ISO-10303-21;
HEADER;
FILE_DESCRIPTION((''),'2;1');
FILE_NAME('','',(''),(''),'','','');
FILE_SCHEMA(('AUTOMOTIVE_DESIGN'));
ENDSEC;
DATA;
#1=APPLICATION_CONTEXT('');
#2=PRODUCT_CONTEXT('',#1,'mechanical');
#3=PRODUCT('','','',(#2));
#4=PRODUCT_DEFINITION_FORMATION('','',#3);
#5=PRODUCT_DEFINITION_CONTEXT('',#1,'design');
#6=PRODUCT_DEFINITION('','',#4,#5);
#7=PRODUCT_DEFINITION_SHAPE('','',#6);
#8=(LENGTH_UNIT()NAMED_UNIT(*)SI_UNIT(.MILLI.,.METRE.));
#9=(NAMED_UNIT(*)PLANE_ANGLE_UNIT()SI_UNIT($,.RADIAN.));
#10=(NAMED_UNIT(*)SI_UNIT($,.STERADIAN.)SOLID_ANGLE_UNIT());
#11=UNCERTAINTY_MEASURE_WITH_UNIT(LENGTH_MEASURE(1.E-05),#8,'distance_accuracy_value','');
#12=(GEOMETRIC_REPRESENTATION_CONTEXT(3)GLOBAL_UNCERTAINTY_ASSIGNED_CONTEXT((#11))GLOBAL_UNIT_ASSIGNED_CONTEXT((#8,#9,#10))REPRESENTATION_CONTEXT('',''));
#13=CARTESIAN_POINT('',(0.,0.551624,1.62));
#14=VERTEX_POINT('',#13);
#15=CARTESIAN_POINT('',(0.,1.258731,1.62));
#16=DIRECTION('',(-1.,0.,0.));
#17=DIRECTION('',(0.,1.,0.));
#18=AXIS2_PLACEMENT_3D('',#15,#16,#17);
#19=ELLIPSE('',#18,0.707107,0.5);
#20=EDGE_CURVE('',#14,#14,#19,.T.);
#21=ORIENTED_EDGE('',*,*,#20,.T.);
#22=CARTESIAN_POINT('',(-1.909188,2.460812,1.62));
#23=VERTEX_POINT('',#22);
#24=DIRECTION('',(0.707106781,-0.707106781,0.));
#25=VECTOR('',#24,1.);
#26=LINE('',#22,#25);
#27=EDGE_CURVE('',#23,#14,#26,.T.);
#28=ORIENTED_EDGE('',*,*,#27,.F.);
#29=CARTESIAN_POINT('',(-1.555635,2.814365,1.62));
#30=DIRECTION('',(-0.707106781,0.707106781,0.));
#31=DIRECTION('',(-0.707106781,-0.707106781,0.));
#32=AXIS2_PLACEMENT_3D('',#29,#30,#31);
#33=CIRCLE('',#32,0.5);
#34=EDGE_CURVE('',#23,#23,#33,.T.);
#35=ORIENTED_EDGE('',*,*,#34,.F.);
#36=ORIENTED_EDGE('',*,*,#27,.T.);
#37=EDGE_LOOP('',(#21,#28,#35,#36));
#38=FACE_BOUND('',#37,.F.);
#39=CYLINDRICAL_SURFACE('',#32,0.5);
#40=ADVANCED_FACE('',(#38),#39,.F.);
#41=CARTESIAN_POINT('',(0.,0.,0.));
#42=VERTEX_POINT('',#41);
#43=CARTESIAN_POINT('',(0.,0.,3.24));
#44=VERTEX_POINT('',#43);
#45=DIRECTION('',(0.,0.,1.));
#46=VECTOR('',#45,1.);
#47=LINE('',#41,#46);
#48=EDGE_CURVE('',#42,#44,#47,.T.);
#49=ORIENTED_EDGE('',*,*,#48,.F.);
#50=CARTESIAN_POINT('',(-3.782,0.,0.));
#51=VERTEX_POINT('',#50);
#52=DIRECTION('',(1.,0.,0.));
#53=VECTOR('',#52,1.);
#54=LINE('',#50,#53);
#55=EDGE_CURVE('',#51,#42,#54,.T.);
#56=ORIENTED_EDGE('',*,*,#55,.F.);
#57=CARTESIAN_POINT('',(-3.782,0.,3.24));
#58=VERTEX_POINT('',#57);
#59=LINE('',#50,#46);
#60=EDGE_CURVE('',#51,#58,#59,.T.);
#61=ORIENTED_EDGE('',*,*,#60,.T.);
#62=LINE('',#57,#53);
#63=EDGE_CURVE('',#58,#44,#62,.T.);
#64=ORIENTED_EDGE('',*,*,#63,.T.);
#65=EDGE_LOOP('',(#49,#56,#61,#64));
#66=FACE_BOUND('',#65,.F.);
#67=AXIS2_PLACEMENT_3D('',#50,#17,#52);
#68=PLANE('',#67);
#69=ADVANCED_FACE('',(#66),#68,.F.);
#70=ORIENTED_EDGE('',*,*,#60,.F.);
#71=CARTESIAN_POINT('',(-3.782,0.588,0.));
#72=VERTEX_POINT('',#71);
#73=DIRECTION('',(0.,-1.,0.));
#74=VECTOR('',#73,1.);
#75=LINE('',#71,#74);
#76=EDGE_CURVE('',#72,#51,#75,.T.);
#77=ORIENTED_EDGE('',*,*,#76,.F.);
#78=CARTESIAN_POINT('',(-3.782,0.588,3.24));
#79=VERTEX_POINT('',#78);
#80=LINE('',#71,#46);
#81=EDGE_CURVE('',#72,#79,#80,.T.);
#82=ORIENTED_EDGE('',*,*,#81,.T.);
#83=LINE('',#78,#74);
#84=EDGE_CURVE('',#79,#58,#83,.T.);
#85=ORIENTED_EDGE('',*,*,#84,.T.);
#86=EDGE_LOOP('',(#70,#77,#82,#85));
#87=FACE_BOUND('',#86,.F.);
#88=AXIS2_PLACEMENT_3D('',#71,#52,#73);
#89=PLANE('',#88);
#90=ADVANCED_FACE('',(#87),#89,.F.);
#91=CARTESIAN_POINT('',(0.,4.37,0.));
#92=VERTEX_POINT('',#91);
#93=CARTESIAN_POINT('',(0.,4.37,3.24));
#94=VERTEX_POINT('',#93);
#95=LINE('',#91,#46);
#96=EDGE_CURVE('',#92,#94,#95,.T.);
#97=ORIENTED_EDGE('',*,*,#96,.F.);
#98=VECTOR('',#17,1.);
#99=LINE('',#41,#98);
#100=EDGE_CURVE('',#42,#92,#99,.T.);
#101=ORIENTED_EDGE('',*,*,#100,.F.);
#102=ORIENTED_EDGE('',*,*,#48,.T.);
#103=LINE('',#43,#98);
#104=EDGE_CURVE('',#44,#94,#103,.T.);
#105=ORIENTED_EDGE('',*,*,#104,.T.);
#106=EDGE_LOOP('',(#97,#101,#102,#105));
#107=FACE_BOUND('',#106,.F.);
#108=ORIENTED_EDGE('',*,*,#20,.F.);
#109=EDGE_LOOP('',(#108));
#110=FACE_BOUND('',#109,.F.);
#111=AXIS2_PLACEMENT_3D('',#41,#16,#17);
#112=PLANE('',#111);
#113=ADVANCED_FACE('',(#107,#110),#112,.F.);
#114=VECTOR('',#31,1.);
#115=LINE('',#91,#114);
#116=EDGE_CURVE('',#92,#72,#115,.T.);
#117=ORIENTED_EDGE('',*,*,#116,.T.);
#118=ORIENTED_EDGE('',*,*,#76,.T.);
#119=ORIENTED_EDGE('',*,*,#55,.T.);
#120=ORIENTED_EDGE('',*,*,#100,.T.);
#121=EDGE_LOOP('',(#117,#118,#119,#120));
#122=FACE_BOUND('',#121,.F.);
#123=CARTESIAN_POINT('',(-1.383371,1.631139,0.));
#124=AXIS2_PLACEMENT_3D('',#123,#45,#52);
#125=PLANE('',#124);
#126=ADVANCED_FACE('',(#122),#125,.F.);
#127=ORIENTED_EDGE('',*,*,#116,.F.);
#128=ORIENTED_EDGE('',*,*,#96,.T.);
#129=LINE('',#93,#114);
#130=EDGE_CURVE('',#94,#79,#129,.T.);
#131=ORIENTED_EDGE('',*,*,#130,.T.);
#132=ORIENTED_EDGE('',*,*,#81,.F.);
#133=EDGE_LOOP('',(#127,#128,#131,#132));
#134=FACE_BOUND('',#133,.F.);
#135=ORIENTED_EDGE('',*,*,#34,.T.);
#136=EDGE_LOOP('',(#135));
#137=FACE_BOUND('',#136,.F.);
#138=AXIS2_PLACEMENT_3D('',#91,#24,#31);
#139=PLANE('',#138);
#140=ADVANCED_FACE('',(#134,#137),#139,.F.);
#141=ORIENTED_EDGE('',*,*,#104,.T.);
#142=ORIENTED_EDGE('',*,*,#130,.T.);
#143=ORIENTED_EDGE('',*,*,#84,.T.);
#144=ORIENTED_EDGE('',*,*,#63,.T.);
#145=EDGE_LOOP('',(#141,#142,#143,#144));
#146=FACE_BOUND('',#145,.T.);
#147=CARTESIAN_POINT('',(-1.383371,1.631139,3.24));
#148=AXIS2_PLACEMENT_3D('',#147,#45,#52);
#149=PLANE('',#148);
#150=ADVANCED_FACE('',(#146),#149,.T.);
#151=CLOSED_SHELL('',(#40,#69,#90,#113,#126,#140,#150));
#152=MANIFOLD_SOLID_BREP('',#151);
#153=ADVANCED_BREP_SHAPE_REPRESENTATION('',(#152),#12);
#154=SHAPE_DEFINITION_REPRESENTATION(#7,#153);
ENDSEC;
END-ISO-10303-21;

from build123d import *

# Parameters (mm, degrees)
F1_DEPTH      = 3.24
F2_R          = 0.5
F3_DEPTH      = 5
F3_DEPTH_BACK = 25


with BuildPart() as f1:
    # F0 (on Top) → F1 (new body)
    with BuildSketch(Plane.XY):
        Polygon((-3.782, 0), (0, 0), (0, 4.37), (-3.782, 0.588), align=None)
    extrude(amount=F1_DEPTH)

    # F2 (on face) → F3 (cut, two sides)
    with BuildSketch(Plane(origin=(-2.185, 2.185, 0), x_dir=(-0.707107, -0.707107, 0), z_dir=(-0.707107, 0.707107, 0))) as f3_sk:
        with Locations((-0.890057, 1.62)):
            Circle(F2_R)
    extrude(amount=-F3_DEPTH, mode=Mode.SUBTRACT)
    extrude(f3_sk.sketch, amount=-F3_DEPTH_BACK, mode=Mode.SUBTRACT)


solid = f1.part
